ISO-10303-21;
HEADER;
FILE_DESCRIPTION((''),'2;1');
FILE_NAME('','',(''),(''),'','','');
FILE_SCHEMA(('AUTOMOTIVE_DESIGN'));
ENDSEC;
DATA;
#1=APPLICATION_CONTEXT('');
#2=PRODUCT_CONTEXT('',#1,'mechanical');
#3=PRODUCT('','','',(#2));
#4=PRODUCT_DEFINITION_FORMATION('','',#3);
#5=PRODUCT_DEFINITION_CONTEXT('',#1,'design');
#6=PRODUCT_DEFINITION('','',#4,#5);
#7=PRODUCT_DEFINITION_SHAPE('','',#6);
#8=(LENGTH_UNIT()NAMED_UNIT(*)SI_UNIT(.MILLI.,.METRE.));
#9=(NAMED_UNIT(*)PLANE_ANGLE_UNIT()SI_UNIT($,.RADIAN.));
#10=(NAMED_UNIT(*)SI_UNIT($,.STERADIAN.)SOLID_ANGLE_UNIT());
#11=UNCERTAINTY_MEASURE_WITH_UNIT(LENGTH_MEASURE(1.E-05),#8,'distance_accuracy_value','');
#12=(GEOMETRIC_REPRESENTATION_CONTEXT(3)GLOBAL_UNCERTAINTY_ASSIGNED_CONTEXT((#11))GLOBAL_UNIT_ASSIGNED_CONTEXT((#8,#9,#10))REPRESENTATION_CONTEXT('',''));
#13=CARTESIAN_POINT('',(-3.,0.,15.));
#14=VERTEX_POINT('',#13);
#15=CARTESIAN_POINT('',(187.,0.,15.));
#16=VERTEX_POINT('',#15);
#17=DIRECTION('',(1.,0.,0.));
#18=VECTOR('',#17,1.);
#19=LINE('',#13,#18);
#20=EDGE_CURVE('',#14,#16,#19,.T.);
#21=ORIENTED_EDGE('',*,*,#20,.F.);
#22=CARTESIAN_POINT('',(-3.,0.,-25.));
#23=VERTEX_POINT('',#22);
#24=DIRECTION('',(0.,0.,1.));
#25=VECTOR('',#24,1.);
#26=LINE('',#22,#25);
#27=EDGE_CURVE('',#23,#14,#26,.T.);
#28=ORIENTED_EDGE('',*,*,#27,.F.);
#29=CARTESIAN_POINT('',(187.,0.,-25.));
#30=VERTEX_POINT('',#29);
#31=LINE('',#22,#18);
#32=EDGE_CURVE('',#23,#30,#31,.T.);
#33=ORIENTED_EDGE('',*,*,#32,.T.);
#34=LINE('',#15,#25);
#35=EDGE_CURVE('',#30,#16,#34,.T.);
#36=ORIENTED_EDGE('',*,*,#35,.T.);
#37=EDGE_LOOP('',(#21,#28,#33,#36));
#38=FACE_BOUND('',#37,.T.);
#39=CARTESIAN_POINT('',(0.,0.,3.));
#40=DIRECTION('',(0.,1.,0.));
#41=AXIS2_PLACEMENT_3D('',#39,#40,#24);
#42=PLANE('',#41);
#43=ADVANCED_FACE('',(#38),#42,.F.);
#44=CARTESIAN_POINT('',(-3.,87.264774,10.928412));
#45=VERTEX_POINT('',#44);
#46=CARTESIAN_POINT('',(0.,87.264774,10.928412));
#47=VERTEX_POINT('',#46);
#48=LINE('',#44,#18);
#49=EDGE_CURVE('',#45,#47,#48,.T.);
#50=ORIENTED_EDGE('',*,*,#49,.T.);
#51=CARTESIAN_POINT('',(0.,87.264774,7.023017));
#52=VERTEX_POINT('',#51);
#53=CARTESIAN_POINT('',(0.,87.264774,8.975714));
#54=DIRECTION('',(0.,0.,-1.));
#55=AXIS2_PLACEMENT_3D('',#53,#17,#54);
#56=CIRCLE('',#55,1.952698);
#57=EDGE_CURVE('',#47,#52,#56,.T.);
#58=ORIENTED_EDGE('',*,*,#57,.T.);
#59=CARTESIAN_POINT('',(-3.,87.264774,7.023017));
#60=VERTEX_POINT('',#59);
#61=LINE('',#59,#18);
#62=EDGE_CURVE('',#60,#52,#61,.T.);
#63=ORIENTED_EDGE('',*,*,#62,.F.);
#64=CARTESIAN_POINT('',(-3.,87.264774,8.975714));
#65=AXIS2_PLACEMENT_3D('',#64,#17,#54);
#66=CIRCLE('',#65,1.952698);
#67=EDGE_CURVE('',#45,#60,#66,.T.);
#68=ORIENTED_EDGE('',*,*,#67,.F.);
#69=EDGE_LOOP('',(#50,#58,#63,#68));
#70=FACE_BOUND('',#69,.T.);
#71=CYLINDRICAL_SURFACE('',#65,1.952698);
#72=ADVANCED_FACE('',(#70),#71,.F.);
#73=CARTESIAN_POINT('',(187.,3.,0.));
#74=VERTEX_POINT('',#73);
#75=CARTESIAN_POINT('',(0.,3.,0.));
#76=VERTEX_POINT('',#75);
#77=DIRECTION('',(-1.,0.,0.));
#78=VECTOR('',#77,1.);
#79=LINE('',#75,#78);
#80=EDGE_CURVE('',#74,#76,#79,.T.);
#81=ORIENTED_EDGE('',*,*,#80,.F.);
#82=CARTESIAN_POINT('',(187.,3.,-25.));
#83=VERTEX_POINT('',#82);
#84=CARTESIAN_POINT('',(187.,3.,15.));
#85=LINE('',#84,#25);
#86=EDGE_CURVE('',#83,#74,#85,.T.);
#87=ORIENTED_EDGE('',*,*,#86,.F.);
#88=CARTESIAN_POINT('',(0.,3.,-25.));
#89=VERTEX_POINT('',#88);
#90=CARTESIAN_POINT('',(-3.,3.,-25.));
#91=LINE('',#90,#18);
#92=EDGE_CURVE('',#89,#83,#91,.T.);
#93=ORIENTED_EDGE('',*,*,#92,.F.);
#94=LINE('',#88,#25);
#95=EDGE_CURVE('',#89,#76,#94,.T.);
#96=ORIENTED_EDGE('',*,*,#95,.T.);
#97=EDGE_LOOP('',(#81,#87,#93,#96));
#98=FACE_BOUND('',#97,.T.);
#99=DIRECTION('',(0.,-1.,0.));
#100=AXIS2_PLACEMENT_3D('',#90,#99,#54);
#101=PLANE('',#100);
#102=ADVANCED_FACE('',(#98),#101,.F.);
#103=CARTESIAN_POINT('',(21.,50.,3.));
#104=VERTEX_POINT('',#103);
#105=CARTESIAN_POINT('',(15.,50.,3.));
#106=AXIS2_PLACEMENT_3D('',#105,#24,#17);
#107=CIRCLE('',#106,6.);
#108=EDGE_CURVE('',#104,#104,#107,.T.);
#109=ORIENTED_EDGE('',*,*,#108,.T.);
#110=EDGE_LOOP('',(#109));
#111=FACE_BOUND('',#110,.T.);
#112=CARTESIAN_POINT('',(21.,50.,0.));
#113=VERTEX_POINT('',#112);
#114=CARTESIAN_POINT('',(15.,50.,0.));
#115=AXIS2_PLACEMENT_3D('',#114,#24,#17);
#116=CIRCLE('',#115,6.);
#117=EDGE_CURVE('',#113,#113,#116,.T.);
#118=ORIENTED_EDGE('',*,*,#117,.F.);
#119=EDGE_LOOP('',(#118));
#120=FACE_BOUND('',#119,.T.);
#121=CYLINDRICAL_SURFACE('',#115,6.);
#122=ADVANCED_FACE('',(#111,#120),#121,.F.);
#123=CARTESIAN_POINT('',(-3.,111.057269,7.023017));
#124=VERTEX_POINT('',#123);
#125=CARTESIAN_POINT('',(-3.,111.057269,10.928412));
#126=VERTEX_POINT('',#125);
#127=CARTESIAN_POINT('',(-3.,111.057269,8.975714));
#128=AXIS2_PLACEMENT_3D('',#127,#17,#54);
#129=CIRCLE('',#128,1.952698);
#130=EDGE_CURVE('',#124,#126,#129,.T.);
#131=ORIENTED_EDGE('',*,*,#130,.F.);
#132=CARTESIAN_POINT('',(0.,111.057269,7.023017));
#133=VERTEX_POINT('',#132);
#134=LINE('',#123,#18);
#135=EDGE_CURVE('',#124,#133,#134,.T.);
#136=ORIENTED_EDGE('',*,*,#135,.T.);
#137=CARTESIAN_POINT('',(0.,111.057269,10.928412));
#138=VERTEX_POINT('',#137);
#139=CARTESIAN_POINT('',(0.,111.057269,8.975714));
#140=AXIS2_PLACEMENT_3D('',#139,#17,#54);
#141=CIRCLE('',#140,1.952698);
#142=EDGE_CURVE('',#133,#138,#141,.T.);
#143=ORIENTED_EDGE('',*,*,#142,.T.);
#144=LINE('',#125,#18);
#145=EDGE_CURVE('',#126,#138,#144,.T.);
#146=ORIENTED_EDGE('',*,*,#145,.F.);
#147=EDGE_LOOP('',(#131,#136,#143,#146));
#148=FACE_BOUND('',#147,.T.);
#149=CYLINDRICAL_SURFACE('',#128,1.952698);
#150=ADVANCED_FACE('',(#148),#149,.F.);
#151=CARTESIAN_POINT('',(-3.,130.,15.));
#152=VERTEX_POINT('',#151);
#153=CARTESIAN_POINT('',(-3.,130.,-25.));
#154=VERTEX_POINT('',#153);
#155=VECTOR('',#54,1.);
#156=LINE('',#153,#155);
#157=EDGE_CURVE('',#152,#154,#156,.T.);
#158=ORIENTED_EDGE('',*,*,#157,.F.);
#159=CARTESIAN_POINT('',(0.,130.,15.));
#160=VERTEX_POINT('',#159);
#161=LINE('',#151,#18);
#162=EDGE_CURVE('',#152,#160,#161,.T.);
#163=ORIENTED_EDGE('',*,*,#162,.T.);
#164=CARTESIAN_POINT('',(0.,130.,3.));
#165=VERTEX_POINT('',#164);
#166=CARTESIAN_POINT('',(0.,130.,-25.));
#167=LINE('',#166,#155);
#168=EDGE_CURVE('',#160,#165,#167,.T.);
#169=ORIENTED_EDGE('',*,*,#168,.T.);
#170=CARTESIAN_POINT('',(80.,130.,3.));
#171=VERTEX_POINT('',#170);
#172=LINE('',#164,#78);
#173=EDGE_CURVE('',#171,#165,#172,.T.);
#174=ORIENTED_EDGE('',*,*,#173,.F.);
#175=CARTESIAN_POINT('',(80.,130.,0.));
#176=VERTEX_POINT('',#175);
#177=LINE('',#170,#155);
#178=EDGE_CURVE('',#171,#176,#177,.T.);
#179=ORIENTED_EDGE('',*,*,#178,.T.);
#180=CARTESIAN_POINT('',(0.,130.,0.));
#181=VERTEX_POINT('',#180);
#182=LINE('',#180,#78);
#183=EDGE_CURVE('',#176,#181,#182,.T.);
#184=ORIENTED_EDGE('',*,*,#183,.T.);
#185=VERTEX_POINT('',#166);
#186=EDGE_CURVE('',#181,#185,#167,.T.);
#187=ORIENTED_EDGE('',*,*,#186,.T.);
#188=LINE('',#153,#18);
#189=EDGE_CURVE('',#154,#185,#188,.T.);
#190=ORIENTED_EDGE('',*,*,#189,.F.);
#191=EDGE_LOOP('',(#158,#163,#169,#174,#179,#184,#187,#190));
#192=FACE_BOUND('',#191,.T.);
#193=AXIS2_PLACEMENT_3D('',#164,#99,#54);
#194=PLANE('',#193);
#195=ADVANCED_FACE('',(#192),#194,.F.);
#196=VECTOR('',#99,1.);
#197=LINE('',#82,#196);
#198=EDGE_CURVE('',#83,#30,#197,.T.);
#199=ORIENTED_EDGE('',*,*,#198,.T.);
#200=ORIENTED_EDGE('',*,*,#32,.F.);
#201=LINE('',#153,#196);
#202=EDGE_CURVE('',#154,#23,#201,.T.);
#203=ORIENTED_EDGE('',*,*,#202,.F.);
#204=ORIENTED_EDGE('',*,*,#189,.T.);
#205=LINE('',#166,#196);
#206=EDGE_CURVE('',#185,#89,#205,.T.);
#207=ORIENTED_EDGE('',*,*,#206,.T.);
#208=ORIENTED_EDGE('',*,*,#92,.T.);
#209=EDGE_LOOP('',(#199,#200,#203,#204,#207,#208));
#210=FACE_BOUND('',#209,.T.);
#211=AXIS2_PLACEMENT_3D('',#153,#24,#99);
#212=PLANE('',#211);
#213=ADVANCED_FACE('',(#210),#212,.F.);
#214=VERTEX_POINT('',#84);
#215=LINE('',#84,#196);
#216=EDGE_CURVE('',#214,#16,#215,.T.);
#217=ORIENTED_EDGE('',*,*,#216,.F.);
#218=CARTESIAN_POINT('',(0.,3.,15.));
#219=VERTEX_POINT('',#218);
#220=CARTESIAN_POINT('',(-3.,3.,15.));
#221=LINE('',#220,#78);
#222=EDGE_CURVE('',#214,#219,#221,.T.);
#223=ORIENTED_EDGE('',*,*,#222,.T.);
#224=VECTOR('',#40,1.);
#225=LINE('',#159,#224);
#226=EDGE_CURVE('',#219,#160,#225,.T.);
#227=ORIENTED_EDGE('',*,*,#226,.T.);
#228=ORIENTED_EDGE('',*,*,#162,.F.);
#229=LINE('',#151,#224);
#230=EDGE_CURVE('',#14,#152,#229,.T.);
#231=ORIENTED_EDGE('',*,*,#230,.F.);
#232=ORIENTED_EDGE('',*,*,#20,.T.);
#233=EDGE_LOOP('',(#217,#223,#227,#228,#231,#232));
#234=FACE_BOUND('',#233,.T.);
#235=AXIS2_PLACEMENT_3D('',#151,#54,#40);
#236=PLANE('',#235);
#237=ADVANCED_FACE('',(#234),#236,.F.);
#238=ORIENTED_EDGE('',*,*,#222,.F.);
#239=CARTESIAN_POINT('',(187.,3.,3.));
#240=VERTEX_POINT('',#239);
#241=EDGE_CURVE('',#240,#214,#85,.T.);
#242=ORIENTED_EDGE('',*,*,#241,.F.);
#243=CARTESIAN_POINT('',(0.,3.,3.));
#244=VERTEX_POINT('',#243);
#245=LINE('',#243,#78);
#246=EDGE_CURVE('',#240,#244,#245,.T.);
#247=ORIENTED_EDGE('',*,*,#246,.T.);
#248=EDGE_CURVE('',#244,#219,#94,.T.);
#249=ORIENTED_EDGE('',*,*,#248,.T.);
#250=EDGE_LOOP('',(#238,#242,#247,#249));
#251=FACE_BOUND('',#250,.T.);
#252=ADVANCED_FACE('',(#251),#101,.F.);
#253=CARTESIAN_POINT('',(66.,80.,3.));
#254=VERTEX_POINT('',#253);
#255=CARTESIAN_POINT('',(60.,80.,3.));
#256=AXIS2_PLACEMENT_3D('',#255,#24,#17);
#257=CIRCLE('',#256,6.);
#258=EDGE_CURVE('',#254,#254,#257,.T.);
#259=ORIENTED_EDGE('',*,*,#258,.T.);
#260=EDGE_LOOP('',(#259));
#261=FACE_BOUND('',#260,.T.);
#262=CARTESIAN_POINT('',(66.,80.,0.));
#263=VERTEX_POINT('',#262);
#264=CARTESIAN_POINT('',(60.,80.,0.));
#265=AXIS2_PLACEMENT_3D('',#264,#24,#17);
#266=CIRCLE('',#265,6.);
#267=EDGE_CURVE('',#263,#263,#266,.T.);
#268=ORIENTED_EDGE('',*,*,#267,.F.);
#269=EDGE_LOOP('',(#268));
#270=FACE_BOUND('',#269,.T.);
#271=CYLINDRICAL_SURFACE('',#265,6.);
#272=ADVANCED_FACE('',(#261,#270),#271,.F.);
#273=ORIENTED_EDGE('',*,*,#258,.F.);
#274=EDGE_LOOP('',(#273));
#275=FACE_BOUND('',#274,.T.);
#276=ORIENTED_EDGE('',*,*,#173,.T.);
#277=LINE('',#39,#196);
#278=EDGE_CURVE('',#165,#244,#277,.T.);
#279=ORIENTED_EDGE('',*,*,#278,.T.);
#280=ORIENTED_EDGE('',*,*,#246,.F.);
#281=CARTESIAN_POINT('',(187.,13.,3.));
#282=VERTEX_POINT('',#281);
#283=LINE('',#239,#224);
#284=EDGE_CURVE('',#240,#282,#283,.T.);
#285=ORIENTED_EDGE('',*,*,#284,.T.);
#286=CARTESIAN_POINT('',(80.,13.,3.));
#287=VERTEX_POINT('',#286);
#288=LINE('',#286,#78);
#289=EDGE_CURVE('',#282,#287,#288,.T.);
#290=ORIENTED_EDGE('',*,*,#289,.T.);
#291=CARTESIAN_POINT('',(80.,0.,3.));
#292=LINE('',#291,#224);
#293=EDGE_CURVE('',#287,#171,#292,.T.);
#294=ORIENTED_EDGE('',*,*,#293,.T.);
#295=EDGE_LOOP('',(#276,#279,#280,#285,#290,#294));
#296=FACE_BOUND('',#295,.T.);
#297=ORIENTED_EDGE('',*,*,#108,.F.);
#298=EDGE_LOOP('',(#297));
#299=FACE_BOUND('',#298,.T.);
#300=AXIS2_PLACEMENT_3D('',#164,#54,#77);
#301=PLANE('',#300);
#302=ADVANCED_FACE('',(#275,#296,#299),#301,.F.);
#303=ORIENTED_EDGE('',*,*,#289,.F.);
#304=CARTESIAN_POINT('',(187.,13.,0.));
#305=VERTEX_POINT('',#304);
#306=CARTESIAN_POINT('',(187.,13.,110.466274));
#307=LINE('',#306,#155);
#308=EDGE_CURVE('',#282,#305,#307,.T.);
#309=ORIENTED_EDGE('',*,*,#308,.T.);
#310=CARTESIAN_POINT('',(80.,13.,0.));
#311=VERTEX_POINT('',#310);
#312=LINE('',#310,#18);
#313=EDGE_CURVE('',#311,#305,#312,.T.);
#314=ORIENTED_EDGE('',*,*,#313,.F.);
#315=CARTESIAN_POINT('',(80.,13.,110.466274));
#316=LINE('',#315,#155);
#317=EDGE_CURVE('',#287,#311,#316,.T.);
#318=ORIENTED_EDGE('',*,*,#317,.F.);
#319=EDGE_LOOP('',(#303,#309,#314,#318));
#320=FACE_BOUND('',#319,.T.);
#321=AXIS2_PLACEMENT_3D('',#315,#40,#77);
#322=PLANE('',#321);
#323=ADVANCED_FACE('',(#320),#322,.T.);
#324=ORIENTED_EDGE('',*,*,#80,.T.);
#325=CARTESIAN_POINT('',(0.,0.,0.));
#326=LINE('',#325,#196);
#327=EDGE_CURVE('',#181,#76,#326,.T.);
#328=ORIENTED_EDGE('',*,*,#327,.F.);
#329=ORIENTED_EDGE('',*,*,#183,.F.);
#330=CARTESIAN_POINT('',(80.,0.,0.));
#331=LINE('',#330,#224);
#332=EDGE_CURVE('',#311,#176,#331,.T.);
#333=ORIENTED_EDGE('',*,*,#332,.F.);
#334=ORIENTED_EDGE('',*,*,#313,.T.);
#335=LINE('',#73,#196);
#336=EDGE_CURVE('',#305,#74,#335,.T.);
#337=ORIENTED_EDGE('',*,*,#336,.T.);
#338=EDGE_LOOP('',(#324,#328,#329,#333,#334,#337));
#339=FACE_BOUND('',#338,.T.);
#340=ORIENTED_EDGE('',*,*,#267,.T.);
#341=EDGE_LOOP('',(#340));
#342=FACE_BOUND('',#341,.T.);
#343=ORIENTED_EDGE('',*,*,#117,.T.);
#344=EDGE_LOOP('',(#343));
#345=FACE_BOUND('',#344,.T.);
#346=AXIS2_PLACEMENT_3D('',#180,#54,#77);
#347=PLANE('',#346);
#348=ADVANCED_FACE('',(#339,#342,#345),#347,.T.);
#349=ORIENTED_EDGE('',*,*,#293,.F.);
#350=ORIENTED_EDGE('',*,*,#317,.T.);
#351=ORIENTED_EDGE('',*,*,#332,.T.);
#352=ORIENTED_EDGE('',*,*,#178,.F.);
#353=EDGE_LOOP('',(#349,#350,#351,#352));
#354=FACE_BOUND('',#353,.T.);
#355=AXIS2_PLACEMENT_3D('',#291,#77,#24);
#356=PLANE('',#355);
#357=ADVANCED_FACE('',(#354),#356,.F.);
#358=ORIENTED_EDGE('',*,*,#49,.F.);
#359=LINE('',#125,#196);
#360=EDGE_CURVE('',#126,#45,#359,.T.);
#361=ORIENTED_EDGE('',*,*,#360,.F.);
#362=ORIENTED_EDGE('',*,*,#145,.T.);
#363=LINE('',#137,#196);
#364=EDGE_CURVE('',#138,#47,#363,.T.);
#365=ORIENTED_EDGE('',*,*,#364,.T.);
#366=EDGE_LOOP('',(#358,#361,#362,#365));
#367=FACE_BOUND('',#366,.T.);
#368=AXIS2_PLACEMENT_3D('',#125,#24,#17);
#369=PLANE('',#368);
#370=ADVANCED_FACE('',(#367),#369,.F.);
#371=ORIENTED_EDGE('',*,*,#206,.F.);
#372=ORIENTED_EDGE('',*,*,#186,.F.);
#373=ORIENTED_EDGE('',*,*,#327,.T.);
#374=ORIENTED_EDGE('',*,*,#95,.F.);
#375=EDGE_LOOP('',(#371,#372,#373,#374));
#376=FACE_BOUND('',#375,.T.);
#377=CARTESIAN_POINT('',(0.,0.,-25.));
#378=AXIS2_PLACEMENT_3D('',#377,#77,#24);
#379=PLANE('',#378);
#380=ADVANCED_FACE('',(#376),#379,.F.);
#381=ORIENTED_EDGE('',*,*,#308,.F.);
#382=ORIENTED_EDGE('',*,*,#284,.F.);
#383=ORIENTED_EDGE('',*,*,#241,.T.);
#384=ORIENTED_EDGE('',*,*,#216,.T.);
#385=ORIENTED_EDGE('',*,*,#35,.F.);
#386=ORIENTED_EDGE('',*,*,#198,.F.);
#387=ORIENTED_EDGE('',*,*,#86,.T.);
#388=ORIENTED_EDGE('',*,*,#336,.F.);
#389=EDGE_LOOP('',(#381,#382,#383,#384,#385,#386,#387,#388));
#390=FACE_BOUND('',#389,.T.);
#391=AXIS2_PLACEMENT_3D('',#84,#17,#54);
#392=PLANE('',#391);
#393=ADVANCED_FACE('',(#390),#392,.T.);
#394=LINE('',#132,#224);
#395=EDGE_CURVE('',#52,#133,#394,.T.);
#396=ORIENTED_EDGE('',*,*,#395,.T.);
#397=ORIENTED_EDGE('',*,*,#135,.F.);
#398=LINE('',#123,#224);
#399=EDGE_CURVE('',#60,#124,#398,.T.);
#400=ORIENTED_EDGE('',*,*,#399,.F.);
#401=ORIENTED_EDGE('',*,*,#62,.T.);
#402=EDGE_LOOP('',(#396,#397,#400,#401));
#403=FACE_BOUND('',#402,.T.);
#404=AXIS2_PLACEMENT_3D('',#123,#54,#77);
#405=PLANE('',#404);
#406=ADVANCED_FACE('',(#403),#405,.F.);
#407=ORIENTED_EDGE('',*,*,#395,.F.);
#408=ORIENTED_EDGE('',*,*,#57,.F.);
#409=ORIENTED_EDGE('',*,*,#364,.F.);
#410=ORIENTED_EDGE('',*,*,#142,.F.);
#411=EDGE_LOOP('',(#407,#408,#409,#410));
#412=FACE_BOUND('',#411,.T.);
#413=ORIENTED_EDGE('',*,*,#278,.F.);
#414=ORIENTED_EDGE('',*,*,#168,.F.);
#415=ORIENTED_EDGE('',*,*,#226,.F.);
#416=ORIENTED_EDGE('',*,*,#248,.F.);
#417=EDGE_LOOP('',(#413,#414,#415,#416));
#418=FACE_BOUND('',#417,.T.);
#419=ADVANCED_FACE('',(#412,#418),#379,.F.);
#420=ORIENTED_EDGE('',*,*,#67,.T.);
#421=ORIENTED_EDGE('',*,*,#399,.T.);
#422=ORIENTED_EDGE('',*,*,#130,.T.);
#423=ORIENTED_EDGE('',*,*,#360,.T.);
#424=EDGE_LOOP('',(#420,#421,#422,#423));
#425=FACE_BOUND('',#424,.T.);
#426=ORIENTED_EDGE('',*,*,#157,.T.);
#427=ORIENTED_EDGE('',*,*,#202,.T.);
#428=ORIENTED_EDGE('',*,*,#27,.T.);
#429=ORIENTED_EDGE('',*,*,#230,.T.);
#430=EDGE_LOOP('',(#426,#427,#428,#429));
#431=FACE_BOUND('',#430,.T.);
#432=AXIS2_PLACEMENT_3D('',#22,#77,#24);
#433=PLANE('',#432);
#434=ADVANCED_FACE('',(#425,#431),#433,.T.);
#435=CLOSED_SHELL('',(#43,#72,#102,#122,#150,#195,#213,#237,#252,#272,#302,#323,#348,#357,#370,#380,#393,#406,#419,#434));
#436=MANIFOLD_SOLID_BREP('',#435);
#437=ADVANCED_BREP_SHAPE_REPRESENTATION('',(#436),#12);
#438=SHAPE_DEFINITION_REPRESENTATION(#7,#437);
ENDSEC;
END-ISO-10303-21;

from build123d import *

# Parameters (mm, degrees)
SKETCH1_W           = 80
SKETCH1_H           = 130
BOSS_EXTRUDE1_DEPTH = 3
SKETCH2_R           = 6
CUT_EXTRUDE1_DEPTH  = 153.672852859
SKETCH3_W           = 40
SKETCH3_H           = 130
BOSS_EXTRUDE2_DEPTH = 3
SKETCH4_W           = 190
SKETCH4_H           = 40
BOSS_EXTRUDE3_DEPTH = 3
SKETCH5_W           = 107
SKETCH5_H           = 10
BOSS_EXTRUDE4_DEPTH = 3
CUT_EXTRUDE2_DEPTH  = 230.1156913


with BuildPart() as part:
    # Sketch1 → Boss-Extrude1 (new body)
    with BuildSketch(Plane.XY):
        with Locations((40, 65)):
            Rectangle(SKETCH1_W, SKETCH1_H)
    extrude(amount=BOSS_EXTRUDE1_DEPTH)

    # Sketch2 → Cut-Extrude1 (cut, through all)
    with BuildSketch(Plane.XY.offset(3)):
        with Locations((60, 80)):
            Circle(SKETCH2_R)
        with Locations((15, 50)):
            Circle(SKETCH2_R)
    extrude(amount=-CUT_EXTRUDE1_DEPTH, mode=Mode.SUBTRACT)

    # Sketch3 → Boss-Extrude2 (add)
    with BuildSketch(Plane.ZY):
        with Locations((-5, 65)):
            Rectangle(SKETCH3_W, SKETCH3_H)
    extrude(amount=BOSS_EXTRUDE2_DEPTH)

    # Sketch4 → Boss-Extrude3 (add)
    with BuildSketch(Plane.XZ):
        with Locations((92, -5)):
            Rectangle(SKETCH4_W, SKETCH4_H)
    extrude(amount=-BOSS_EXTRUDE3_DEPTH)

    # Sketch5 → Boss-Extrude4 (add)
    with BuildSketch(Plane(origin=(0, 0, 0), x_dir=(-1, 0, 0), z_dir=(0, 0, -1))):
        with Locations((-133.5, 8)):
            Rectangle(SKETCH5_W, SKETCH5_H)
    extrude(amount=-BOSS_EXTRUDE4_DEPTH)

    # Sketch6 → Cut-Extrude2 (cut, through all)
    with BuildSketch(Plane(origin=(0, 0, 0), x_dir=(0, 0, -1), z_dir=(1, 0, 0))):
        with BuildLine():
            Line((-7.023016919, 111.057268812), (-7.023016919, 87.264774426))
            ThreePointArc((-7.023016919, 87.264774426), (-8.975714476, 85.312076869), (-10.928412033, 87.264774426))
            Line((-10.928412033, 87.264774426), (-10.928412033, 111.057268812))
            ThreePointArc((-10.928412033, 111.057268812), (-8.975714476, 113.00996637), (-7.023016919, 111.057268812))
        make_face()
    extrude(amount=-CUT_EXTRUDE2_DEPTH, mode=Mode.SUBTRACT)


solid = part.part
